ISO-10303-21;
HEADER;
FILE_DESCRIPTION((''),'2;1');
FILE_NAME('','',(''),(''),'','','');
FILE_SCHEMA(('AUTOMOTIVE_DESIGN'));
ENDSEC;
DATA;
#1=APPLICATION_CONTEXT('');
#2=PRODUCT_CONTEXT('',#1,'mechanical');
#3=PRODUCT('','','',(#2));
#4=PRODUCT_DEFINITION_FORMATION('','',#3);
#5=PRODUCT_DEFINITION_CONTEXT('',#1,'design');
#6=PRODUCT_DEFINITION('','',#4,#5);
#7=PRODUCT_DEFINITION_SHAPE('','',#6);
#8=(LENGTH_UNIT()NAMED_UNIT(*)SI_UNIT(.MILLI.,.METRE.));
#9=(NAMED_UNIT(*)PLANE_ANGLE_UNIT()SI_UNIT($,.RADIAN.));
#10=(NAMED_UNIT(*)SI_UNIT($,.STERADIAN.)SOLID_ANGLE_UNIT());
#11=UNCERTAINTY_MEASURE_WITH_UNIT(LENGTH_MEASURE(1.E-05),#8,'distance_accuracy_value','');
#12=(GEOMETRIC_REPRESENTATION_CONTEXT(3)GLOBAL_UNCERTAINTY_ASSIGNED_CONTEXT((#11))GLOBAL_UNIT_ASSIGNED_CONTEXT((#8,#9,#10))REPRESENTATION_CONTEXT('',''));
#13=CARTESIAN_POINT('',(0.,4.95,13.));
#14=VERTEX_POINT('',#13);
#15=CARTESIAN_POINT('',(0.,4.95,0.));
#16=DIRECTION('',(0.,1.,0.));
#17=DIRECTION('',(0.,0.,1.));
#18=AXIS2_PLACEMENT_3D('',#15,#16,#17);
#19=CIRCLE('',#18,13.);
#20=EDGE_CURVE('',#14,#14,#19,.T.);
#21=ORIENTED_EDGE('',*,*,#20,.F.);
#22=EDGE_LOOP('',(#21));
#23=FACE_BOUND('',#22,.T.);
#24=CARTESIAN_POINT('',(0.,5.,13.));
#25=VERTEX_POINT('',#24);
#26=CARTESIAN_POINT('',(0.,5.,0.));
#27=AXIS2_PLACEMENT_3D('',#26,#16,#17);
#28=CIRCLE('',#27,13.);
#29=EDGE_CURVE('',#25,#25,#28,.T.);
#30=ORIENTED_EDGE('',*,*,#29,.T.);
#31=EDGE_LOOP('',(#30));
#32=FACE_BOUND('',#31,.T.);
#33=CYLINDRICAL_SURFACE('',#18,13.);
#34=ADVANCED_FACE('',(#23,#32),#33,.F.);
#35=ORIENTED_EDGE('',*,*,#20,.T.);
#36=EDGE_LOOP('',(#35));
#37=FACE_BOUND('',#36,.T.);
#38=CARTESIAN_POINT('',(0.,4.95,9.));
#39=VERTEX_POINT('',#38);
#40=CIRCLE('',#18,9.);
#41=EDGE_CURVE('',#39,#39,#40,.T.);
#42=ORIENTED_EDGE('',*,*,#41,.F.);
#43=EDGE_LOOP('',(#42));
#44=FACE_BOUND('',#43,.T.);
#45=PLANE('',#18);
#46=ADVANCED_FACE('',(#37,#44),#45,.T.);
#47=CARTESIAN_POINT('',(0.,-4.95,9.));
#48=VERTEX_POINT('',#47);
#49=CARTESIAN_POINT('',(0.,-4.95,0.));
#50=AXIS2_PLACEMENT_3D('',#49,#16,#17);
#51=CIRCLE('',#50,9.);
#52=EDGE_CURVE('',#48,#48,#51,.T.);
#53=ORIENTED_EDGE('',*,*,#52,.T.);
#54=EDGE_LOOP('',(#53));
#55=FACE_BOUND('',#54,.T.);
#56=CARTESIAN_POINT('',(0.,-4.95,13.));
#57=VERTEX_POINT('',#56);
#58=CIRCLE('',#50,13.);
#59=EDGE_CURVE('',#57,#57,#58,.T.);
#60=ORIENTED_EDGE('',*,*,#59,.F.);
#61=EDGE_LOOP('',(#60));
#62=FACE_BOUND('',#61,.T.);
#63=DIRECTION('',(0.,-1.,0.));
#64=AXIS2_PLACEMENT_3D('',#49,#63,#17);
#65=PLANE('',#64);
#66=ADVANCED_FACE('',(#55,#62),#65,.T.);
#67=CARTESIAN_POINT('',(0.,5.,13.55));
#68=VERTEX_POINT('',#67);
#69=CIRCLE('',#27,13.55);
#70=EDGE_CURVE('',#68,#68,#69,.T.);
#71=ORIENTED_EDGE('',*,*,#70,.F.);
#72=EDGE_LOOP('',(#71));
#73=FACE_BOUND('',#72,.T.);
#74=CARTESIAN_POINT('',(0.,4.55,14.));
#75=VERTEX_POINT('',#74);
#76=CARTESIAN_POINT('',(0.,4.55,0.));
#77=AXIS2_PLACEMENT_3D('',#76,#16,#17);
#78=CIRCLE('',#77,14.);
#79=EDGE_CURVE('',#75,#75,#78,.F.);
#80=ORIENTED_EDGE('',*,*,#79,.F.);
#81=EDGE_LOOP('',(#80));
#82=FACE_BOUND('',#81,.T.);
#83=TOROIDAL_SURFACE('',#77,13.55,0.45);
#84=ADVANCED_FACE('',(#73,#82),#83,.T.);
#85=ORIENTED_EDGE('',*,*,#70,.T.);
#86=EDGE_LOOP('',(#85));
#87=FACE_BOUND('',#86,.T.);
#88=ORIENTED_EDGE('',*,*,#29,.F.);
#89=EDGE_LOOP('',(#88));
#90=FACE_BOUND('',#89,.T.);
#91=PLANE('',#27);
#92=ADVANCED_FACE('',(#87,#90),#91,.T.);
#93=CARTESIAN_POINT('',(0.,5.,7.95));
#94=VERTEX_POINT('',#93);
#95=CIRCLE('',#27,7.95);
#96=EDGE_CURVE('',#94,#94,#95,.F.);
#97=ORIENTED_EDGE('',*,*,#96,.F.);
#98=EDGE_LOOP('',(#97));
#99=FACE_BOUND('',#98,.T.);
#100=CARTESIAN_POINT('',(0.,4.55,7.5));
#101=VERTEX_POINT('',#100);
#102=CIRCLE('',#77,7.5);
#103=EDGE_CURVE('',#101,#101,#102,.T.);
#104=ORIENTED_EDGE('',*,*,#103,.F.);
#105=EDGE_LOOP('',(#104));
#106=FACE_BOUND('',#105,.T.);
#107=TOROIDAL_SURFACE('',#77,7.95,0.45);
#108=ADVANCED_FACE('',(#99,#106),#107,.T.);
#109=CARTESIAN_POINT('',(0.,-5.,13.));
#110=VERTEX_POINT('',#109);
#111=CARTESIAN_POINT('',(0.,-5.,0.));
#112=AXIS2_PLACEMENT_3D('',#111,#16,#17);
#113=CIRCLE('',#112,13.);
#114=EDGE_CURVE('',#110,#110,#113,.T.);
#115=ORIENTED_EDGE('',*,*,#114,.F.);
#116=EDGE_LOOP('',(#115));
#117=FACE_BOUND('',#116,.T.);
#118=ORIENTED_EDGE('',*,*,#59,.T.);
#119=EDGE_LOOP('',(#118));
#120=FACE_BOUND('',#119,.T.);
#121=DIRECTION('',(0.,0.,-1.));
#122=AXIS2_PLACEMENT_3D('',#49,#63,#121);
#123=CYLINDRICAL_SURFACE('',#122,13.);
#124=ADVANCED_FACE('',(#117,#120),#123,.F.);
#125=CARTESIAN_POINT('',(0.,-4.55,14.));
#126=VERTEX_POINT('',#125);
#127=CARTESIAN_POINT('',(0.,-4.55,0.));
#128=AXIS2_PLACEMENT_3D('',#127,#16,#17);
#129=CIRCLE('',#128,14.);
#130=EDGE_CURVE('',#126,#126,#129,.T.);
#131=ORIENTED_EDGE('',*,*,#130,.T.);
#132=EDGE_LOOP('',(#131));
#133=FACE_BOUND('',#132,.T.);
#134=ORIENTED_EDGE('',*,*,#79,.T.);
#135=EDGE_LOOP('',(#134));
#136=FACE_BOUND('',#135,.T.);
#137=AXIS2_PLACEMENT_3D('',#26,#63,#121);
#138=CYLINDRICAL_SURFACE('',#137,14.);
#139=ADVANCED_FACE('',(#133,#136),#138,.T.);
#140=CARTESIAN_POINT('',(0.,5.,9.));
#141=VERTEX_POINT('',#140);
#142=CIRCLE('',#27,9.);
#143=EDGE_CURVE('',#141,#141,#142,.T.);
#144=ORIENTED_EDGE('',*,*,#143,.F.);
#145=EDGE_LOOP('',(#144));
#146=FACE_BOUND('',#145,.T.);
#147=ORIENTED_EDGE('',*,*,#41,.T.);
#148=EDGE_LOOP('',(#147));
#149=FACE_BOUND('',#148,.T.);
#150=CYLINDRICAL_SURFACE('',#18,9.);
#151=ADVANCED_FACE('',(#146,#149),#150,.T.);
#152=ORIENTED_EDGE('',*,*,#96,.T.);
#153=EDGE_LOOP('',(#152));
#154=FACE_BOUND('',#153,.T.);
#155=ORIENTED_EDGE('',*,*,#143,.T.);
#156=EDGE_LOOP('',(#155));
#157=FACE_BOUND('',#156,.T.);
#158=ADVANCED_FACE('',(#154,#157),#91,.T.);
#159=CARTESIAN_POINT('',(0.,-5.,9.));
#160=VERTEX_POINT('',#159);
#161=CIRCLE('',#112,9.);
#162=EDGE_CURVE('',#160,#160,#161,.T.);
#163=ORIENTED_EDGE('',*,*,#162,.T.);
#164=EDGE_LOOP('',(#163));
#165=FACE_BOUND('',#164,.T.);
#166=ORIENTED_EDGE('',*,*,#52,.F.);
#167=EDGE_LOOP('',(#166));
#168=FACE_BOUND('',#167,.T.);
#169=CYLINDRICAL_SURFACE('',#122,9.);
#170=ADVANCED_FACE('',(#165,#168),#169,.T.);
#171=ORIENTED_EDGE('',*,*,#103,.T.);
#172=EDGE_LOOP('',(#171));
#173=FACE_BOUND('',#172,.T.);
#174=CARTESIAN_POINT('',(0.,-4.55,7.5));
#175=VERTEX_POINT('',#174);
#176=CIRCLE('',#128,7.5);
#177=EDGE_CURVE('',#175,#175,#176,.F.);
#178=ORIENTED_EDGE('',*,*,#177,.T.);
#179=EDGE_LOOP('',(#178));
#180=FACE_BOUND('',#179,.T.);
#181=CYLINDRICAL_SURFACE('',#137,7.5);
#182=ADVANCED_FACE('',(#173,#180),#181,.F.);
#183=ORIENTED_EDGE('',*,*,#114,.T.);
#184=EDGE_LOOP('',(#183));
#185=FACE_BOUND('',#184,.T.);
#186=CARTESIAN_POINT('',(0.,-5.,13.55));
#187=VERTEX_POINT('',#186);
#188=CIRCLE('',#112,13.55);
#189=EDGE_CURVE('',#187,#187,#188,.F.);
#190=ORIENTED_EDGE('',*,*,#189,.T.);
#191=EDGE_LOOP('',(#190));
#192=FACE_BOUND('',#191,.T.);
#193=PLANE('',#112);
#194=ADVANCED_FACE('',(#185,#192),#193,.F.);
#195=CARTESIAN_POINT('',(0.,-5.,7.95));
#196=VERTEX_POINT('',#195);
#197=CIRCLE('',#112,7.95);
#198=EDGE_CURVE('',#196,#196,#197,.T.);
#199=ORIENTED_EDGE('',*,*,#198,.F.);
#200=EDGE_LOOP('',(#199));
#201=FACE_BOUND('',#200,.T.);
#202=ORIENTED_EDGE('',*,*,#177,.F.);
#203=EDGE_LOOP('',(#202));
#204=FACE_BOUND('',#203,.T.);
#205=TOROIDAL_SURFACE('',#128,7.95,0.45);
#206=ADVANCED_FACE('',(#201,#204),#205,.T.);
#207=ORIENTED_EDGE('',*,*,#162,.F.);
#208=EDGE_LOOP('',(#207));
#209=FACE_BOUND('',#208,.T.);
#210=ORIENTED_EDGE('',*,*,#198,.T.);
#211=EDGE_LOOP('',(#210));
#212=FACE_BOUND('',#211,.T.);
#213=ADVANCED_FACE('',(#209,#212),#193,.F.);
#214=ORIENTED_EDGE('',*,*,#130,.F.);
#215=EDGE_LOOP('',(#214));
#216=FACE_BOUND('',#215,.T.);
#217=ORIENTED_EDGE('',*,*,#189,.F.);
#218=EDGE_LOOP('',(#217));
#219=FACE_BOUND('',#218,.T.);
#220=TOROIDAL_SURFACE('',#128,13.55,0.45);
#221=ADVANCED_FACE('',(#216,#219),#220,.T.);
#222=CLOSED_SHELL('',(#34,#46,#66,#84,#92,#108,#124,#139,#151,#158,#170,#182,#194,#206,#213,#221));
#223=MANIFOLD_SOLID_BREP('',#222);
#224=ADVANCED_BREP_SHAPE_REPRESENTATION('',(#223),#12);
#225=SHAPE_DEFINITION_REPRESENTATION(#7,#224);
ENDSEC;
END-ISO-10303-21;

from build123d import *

# Parameters (mm, degrees)
SKETCH1_R           = 14
SKETCH1_R_2         = 7.5
BOSS_EXTRUDE1_DEPTH = 5
SKETCH2_R           = 13
SKETCH2_R_2         = 9
CUT_EXTRUDE1_DEPTH  = 0.05
FILLET1_R           = 0.45


with BuildPart() as part:
    # Sketch1 → Boss-Extrude1 (new, symmetric)
    with BuildSketch(Plane(origin=(0, 0, 0), x_dir=(1, 0, 0), z_dir=(0, 1, 0))):
        Circle(SKETCH1_R)
        Circle(SKETCH1_R_2, mode=Mode.SUBTRACT)
    extrude(amount=BOSS_EXTRUDE1_DEPTH, both=True)

    # Sketch2 → Cut-Extrude1 (cut)
    with BuildSketch(Plane(origin=(0, 5, 0), x_dir=(1, 0, 0), z_dir=(0, 1, 0))):
        Circle(SKETCH2_R)
        Circle(SKETCH2_R_2, mode=Mode.SUBTRACT)
    cut_extrude1 = extrude(amount=-CUT_EXTRUDE1_DEPTH, mode=Mode.SUBTRACT)

    # Mirror1: Cut-Extrude1 across plane
    add(cut_extrude1.mirror(Plane.ZX), mode=Mode.SUBTRACT)

    # Fillet1
    fillet1_edges = [part.edges().sort_by_distance(p)[0] for p in [
        (-7.5, -5, 0),
        (-7.5, 5, 0),
        (-14, -5, 0),
        (-14, 5, 0),
    ]]
    fillet(fillet1_edges, radius=FILLET1_R)


solid = part.part
